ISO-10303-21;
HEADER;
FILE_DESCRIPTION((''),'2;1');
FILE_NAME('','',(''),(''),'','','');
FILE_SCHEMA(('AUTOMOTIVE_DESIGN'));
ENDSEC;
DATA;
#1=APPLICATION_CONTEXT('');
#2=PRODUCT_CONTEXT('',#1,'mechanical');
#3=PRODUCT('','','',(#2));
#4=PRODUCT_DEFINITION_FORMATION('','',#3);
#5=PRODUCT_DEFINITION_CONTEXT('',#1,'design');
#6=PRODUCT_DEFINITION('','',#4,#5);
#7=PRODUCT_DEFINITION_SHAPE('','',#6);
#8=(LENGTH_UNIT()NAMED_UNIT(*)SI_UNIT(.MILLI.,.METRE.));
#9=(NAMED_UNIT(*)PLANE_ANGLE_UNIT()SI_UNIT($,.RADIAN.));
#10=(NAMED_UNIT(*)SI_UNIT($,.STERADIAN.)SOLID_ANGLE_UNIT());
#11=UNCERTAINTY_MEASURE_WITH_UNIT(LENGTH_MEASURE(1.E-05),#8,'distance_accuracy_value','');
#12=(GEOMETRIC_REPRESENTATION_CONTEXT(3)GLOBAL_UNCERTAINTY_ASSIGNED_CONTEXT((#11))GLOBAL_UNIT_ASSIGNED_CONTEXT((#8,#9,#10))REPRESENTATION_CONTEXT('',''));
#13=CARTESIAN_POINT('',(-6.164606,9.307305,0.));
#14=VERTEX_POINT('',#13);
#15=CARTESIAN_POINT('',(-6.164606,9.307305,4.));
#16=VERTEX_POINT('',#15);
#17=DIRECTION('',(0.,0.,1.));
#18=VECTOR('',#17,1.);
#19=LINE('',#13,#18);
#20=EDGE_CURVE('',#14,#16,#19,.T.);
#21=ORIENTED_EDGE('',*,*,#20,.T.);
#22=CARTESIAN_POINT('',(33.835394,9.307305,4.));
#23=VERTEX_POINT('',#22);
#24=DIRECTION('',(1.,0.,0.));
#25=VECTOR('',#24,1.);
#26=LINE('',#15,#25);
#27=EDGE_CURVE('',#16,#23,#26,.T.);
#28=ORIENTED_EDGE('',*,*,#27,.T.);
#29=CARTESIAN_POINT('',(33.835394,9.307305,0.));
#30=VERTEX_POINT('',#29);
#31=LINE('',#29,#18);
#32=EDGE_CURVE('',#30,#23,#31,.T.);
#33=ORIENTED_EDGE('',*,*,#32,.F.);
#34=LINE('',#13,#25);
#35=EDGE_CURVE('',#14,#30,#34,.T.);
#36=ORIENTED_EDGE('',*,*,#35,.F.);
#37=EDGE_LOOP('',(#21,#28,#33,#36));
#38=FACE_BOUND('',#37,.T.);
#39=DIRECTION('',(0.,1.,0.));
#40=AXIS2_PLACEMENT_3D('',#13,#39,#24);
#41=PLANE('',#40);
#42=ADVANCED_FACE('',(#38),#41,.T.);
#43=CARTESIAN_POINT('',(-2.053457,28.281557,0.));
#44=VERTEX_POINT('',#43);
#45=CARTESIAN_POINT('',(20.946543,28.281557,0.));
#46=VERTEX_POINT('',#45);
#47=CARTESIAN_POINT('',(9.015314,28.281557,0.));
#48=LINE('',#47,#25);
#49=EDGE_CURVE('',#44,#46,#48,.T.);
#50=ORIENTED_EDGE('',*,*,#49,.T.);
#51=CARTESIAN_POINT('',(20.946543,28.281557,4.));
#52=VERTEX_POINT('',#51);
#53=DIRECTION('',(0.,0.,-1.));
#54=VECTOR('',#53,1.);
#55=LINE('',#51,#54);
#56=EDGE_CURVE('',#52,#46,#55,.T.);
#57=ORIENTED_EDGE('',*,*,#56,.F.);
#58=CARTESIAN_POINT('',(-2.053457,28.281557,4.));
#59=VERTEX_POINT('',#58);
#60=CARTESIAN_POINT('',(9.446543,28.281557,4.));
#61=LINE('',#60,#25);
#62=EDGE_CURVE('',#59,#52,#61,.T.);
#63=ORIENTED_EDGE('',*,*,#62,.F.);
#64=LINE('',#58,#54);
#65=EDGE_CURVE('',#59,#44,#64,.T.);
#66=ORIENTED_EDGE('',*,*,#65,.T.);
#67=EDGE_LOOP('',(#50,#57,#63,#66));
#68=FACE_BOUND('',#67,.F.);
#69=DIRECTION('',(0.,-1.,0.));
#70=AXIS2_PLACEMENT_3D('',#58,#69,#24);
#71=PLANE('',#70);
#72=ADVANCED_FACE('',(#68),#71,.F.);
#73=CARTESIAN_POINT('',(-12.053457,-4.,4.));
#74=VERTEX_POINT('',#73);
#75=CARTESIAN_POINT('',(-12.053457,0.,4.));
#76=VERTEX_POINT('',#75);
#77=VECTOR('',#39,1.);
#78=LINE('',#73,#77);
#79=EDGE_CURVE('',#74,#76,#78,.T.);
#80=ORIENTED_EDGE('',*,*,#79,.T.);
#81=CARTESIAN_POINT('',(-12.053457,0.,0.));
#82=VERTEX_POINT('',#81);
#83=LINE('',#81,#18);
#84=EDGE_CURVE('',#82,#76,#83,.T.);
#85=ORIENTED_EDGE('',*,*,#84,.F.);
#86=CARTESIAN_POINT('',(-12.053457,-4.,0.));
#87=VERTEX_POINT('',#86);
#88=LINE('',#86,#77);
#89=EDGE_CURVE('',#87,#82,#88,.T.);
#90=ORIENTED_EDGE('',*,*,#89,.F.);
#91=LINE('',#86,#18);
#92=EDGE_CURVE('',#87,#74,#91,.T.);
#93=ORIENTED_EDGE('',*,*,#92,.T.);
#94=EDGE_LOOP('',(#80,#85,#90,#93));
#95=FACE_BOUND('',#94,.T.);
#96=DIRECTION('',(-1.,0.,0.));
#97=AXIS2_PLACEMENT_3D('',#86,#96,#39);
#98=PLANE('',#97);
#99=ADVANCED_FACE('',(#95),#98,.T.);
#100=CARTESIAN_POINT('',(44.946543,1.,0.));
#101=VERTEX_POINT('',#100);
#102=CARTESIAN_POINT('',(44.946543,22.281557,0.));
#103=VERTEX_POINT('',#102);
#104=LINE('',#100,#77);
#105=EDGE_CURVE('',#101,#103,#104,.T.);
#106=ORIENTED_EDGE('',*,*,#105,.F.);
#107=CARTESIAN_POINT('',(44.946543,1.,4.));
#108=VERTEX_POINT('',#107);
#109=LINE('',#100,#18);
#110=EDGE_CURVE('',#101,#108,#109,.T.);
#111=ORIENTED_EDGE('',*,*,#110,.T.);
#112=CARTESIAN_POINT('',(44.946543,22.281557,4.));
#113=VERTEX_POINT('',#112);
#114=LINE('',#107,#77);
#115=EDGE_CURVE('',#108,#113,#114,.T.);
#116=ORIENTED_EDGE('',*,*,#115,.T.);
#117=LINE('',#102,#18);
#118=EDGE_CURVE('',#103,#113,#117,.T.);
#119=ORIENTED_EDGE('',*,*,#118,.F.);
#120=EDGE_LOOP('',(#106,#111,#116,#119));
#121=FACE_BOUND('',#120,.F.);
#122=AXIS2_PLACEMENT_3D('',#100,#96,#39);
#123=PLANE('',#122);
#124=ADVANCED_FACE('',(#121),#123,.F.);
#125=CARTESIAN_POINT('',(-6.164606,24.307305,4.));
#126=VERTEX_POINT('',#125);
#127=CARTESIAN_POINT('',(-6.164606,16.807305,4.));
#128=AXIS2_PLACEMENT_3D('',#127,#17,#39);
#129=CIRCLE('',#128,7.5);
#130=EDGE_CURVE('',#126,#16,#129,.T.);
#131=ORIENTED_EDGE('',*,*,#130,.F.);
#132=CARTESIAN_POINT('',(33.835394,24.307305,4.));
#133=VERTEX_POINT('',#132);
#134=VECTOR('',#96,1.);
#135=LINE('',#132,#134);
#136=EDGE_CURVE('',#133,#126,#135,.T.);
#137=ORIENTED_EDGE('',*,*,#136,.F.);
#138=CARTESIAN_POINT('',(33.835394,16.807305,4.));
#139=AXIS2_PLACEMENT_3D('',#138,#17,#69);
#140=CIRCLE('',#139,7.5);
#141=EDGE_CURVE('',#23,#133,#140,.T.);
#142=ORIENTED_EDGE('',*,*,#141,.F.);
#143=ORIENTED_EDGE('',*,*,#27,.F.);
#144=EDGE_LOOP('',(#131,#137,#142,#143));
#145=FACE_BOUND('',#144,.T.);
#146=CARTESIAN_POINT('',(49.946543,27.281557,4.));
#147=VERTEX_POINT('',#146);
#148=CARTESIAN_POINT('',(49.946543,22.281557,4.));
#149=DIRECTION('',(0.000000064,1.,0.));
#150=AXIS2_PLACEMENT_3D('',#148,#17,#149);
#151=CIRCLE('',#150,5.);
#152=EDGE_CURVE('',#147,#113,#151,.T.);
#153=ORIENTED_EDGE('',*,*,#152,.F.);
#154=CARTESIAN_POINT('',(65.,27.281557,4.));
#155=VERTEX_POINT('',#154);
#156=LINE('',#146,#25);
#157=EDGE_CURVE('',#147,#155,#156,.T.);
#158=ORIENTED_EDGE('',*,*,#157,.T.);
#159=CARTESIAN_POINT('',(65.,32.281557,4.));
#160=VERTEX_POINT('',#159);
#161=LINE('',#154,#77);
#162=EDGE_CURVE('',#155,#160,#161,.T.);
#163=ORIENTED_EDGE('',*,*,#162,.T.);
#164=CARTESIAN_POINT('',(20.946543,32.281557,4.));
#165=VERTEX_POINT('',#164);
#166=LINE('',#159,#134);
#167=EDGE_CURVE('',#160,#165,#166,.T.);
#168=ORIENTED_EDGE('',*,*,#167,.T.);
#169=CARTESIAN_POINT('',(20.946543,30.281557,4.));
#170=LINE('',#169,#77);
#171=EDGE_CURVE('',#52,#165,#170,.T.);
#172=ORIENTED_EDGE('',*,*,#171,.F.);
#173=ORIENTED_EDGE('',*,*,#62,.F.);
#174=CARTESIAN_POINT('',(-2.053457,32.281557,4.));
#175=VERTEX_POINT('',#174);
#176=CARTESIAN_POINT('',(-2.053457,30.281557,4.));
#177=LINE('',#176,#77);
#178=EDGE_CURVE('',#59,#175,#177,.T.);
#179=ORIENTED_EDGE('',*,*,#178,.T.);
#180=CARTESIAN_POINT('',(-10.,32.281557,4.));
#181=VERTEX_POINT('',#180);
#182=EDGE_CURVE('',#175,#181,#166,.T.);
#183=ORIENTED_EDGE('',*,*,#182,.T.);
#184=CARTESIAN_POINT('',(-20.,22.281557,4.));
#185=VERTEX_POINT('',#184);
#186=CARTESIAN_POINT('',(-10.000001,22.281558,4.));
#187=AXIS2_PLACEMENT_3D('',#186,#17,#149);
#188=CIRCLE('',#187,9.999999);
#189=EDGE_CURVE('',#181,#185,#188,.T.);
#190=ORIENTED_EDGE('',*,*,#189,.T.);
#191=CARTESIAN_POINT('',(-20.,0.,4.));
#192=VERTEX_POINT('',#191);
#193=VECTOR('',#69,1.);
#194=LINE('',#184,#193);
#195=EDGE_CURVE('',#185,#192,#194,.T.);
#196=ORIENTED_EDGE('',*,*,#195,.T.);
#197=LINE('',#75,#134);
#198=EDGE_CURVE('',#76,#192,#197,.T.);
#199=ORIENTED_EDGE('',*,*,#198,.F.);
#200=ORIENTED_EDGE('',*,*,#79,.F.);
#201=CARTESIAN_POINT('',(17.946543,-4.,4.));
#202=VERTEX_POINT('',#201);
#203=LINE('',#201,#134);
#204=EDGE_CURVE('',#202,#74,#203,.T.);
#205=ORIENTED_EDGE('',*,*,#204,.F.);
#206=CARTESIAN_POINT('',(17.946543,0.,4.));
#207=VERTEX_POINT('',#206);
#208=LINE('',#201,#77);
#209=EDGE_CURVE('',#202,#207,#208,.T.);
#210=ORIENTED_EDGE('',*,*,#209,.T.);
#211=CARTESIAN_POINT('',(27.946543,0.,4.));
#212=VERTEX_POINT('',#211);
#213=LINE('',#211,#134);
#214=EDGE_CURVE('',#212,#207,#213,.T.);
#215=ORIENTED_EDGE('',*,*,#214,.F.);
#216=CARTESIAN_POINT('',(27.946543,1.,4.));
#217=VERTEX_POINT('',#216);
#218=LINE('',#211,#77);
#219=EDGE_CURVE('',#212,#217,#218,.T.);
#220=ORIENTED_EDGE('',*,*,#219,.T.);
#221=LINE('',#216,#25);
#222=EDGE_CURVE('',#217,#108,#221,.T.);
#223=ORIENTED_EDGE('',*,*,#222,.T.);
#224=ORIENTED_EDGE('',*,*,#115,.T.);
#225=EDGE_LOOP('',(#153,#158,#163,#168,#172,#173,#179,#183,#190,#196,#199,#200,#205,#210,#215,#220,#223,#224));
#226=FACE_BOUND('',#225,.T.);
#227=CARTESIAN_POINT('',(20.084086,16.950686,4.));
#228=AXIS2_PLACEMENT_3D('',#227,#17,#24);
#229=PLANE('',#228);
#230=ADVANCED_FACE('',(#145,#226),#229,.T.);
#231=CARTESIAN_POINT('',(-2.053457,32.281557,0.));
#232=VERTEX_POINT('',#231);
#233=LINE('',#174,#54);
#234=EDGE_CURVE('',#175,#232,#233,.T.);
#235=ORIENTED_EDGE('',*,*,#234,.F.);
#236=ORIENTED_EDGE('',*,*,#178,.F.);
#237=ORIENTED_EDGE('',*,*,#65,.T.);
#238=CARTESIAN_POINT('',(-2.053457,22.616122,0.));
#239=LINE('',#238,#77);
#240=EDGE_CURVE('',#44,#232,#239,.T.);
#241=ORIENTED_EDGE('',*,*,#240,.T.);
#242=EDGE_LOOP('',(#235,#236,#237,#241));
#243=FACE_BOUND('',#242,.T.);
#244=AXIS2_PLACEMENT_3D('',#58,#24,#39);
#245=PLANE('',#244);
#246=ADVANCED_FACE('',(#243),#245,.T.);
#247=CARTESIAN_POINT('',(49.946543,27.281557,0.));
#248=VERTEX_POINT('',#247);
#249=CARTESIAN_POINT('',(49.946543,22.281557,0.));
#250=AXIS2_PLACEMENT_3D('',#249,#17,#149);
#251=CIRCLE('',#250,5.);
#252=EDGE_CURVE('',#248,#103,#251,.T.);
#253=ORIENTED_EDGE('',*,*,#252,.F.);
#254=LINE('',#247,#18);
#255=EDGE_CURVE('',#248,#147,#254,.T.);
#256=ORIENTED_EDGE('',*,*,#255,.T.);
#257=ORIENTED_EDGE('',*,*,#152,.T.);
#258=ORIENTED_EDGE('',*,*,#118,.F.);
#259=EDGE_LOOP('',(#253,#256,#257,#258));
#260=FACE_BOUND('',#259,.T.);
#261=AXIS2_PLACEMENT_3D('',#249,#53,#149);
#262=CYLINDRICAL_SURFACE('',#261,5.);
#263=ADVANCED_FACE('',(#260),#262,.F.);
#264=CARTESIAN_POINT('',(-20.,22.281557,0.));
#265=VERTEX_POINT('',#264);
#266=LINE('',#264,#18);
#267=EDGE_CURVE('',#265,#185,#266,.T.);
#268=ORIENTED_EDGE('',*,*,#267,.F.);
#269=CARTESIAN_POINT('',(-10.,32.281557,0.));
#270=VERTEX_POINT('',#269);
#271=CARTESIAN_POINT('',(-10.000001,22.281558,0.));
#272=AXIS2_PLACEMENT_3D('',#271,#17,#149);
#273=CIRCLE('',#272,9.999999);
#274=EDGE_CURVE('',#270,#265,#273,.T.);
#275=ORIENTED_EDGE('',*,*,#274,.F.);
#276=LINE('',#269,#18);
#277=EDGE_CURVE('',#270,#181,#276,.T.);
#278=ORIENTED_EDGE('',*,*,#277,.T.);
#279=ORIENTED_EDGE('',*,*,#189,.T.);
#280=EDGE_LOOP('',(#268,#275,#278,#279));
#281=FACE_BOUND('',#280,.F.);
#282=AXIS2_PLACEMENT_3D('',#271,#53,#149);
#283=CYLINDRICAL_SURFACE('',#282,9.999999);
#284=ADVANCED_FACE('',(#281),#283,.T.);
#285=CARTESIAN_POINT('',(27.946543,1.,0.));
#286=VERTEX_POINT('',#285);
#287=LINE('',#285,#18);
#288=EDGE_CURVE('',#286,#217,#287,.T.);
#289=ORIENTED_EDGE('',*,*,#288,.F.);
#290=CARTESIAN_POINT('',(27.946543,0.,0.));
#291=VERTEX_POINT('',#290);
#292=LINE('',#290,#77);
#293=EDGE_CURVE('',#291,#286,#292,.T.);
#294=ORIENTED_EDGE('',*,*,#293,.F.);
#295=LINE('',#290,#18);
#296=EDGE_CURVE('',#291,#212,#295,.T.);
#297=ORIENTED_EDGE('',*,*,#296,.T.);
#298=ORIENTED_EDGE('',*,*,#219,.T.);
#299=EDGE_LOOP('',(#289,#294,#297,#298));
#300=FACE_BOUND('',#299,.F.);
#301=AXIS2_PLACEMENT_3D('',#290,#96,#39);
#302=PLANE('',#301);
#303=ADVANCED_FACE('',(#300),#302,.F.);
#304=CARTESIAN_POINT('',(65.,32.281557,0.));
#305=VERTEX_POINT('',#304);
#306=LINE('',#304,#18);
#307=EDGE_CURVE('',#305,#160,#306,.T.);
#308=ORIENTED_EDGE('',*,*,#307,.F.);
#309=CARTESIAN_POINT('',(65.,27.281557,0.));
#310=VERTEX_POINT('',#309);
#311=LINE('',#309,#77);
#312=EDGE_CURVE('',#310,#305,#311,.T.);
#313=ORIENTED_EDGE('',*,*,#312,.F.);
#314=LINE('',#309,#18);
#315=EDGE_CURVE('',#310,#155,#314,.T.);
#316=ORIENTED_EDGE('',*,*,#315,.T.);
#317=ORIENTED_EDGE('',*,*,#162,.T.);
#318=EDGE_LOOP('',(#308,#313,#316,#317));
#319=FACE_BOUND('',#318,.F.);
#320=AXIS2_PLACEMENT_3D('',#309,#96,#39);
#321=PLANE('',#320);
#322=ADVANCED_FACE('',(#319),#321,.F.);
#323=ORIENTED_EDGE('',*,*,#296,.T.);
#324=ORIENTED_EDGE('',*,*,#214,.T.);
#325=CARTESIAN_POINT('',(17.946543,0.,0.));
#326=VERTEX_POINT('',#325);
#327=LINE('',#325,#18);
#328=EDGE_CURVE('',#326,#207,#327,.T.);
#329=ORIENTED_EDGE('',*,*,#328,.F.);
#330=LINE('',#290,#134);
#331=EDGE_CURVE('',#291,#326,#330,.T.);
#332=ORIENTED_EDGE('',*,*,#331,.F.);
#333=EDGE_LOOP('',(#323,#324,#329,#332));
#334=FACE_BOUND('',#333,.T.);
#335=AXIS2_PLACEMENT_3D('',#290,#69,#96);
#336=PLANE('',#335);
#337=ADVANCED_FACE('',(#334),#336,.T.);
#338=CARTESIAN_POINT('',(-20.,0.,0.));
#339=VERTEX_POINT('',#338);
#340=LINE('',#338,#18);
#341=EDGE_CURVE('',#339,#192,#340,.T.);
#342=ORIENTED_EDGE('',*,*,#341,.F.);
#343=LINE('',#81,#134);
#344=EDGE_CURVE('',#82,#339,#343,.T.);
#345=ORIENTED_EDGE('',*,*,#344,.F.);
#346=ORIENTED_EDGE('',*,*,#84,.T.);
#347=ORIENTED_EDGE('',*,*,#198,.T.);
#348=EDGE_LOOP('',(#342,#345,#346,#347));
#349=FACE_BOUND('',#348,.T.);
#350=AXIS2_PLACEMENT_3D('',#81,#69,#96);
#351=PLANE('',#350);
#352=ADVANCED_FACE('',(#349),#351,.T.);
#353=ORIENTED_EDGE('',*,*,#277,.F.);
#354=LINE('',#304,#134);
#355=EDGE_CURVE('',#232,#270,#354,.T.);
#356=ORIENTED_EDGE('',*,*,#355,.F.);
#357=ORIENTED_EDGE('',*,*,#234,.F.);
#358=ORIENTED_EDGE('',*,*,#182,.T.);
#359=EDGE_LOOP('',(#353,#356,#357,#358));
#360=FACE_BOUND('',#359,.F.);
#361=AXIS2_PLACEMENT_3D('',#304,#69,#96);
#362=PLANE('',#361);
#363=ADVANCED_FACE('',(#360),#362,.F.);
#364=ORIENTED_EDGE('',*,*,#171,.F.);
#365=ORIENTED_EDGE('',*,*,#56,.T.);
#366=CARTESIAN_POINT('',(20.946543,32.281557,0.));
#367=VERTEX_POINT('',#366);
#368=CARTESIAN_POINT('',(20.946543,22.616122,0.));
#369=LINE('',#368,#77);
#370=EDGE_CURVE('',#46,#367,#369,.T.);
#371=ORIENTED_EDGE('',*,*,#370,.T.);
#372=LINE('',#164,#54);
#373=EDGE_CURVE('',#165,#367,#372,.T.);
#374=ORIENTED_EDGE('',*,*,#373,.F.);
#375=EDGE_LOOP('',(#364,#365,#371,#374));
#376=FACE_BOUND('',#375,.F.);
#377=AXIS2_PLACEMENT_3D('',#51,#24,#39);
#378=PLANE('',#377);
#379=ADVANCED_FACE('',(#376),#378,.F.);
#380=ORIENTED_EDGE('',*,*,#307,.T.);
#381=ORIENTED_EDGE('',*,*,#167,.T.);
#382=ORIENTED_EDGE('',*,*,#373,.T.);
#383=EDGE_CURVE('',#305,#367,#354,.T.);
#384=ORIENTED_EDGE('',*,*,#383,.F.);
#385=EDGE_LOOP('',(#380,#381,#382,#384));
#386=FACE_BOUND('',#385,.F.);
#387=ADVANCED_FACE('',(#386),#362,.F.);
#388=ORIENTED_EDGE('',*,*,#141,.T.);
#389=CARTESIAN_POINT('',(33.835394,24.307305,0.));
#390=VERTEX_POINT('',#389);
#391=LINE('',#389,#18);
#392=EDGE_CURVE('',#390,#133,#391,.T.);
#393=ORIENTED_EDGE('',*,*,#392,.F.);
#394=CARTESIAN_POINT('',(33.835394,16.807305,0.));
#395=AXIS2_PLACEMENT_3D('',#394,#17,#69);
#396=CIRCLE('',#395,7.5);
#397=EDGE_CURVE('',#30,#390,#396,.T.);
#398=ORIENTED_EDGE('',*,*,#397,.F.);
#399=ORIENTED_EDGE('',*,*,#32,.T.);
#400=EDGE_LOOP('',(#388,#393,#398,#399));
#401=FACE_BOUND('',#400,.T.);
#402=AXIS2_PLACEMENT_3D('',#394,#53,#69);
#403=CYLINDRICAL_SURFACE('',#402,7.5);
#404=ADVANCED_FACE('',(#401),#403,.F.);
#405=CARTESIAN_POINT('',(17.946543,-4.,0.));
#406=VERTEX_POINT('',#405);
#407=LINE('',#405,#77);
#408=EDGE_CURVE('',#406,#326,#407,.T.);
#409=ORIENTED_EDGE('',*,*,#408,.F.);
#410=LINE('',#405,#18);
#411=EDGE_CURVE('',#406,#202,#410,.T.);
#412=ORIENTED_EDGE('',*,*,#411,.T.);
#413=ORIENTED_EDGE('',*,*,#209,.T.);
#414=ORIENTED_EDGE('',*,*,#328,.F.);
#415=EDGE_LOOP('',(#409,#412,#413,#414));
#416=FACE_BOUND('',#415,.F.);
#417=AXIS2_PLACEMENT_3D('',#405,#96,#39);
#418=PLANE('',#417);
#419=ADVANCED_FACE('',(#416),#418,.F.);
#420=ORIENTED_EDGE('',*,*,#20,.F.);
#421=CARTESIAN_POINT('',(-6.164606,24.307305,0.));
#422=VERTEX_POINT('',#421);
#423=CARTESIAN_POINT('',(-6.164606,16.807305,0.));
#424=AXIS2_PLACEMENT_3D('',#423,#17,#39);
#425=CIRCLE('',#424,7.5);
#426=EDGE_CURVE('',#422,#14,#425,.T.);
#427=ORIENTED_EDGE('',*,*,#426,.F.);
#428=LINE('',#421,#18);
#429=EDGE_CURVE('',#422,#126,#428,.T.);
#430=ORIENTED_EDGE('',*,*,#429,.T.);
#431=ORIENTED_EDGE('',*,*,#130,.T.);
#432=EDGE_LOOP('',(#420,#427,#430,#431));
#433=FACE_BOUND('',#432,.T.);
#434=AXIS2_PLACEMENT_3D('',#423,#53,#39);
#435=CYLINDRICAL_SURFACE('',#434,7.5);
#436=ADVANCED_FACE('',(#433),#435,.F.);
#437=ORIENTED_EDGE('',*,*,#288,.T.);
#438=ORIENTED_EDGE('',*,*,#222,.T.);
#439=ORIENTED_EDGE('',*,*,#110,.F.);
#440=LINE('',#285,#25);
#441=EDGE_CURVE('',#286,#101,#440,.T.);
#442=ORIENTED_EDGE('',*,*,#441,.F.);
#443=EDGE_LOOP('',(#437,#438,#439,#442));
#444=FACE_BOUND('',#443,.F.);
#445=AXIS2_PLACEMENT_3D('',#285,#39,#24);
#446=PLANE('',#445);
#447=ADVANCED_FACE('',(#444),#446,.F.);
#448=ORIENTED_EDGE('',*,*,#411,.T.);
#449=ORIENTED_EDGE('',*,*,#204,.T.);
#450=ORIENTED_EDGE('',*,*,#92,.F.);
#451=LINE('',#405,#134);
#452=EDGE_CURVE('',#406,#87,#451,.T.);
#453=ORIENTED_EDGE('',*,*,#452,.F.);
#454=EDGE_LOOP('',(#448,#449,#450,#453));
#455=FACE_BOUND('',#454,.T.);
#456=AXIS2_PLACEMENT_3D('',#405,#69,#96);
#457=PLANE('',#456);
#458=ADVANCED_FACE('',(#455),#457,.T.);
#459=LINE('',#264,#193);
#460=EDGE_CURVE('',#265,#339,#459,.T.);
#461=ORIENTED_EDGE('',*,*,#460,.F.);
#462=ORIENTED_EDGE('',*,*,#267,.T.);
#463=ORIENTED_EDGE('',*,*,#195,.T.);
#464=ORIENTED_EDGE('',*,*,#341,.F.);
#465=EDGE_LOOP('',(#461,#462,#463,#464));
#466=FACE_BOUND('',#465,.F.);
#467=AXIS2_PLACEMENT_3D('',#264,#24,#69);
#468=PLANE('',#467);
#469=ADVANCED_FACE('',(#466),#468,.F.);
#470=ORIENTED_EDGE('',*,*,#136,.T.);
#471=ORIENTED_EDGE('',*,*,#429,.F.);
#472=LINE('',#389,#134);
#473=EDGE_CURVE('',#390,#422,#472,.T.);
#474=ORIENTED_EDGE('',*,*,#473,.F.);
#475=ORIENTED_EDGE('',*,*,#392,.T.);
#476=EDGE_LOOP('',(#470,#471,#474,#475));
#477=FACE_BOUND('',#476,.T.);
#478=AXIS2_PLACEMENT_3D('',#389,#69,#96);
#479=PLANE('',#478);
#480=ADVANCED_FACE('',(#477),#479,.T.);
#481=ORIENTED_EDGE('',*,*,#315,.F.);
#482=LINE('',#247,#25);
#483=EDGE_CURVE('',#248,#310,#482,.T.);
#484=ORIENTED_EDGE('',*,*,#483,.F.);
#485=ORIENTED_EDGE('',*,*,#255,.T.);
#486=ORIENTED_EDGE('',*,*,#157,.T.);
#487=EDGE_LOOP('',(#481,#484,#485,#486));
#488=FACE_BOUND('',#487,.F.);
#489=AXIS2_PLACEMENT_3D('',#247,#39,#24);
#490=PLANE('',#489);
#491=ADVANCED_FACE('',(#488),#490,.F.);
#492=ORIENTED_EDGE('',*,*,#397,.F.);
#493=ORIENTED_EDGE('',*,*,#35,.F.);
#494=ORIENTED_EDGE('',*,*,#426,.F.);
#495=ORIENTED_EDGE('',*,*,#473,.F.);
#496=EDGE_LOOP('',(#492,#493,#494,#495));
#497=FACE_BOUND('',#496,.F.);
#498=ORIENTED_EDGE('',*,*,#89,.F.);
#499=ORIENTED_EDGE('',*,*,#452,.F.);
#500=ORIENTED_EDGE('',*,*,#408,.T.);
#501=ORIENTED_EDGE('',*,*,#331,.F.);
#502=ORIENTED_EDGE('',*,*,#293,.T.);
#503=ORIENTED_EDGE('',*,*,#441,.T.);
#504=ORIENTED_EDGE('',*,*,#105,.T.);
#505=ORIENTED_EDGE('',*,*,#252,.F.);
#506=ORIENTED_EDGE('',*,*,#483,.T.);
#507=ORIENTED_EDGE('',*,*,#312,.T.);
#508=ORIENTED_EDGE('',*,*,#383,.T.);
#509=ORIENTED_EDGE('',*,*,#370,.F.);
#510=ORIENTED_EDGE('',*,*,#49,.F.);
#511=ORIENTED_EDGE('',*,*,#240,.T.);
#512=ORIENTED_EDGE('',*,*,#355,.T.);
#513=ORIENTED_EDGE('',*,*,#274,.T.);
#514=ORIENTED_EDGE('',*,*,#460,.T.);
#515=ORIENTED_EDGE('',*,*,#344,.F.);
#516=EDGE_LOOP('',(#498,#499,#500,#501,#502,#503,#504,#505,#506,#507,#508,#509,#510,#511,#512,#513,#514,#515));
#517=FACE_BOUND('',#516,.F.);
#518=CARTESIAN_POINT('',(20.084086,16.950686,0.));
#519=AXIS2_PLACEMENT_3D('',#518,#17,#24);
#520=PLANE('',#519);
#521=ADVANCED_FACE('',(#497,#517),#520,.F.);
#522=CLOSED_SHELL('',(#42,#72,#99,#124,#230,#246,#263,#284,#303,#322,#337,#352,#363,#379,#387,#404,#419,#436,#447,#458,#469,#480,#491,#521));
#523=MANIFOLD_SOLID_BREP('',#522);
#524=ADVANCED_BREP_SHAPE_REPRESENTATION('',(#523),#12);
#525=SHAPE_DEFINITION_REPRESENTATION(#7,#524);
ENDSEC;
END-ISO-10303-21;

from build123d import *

# Parameters (mm, degrees)
PAD_DEPTH    = 4
SKETCH_W     = 23
SKETCH_H     = 4
POCKET_DEPTH = 5


with BuildPart() as part:
    # Sketch002 → Pad (new body)
    with BuildSketch(Plane.XY):
        with BuildLine():
            Line((65, 32.281557), (-10, 32.281557))
            ThreePointArc((-10, 32.281557), (-17.071068, 29.352625), (-20, 22.281557))
            Line((-20, 22.281557), (-20, 0))
            Line((-12.053457, 0), (-20, 0))
            Line((-12.053457, -4), (-12.053457, 0))
            Line((17.946543, -4), (-12.053457, -4))
            Line((17.946543, -4), (17.946543, 0))
            Line((27.946543, 0), (17.946543, 0))
            Line((27.946543, 0), (27.946543, 1))
            Line((27.946543, 1), (44.946543, 1))
            Line((44.946543, 1), (44.946543, 22.281557))
            ThreePointArc((49.946543, 27.281557), (46.411009, 25.817091), (44.946543, 22.281557))
            Line((49.946543, 27.281557), (65, 27.281557))
            Line((65, 27.281557), (65, 32.281557))
        make_face()
        with BuildLine():
            ThreePointArc((-6.164606, 24.307305), (-13.664606, 16.807305), (-6.164606, 9.307305))
            Line((-6.164606, 9.307305), (33.835394, 9.307305))
            ThreePointArc((33.835394, 9.307305), (41.335394, 16.807305), (33.835394, 24.307305))
            Line((33.835394, 24.307305), (-6.164606, 24.307305))
        make_face(mode=Mode.SUBTRACT)
    extrude(amount=PAD_DEPTH)

    # Sketch (on Face20 of Pad) → Pocket (cut)
    with BuildSketch(Plane.XY.offset(4)):
        with Locations((9.446543, 30.281557)):
            Rectangle(SKETCH_W, SKETCH_H)
    extrude(amount=-POCKET_DEPTH, mode=Mode.SUBTRACT)


solid = part.part
